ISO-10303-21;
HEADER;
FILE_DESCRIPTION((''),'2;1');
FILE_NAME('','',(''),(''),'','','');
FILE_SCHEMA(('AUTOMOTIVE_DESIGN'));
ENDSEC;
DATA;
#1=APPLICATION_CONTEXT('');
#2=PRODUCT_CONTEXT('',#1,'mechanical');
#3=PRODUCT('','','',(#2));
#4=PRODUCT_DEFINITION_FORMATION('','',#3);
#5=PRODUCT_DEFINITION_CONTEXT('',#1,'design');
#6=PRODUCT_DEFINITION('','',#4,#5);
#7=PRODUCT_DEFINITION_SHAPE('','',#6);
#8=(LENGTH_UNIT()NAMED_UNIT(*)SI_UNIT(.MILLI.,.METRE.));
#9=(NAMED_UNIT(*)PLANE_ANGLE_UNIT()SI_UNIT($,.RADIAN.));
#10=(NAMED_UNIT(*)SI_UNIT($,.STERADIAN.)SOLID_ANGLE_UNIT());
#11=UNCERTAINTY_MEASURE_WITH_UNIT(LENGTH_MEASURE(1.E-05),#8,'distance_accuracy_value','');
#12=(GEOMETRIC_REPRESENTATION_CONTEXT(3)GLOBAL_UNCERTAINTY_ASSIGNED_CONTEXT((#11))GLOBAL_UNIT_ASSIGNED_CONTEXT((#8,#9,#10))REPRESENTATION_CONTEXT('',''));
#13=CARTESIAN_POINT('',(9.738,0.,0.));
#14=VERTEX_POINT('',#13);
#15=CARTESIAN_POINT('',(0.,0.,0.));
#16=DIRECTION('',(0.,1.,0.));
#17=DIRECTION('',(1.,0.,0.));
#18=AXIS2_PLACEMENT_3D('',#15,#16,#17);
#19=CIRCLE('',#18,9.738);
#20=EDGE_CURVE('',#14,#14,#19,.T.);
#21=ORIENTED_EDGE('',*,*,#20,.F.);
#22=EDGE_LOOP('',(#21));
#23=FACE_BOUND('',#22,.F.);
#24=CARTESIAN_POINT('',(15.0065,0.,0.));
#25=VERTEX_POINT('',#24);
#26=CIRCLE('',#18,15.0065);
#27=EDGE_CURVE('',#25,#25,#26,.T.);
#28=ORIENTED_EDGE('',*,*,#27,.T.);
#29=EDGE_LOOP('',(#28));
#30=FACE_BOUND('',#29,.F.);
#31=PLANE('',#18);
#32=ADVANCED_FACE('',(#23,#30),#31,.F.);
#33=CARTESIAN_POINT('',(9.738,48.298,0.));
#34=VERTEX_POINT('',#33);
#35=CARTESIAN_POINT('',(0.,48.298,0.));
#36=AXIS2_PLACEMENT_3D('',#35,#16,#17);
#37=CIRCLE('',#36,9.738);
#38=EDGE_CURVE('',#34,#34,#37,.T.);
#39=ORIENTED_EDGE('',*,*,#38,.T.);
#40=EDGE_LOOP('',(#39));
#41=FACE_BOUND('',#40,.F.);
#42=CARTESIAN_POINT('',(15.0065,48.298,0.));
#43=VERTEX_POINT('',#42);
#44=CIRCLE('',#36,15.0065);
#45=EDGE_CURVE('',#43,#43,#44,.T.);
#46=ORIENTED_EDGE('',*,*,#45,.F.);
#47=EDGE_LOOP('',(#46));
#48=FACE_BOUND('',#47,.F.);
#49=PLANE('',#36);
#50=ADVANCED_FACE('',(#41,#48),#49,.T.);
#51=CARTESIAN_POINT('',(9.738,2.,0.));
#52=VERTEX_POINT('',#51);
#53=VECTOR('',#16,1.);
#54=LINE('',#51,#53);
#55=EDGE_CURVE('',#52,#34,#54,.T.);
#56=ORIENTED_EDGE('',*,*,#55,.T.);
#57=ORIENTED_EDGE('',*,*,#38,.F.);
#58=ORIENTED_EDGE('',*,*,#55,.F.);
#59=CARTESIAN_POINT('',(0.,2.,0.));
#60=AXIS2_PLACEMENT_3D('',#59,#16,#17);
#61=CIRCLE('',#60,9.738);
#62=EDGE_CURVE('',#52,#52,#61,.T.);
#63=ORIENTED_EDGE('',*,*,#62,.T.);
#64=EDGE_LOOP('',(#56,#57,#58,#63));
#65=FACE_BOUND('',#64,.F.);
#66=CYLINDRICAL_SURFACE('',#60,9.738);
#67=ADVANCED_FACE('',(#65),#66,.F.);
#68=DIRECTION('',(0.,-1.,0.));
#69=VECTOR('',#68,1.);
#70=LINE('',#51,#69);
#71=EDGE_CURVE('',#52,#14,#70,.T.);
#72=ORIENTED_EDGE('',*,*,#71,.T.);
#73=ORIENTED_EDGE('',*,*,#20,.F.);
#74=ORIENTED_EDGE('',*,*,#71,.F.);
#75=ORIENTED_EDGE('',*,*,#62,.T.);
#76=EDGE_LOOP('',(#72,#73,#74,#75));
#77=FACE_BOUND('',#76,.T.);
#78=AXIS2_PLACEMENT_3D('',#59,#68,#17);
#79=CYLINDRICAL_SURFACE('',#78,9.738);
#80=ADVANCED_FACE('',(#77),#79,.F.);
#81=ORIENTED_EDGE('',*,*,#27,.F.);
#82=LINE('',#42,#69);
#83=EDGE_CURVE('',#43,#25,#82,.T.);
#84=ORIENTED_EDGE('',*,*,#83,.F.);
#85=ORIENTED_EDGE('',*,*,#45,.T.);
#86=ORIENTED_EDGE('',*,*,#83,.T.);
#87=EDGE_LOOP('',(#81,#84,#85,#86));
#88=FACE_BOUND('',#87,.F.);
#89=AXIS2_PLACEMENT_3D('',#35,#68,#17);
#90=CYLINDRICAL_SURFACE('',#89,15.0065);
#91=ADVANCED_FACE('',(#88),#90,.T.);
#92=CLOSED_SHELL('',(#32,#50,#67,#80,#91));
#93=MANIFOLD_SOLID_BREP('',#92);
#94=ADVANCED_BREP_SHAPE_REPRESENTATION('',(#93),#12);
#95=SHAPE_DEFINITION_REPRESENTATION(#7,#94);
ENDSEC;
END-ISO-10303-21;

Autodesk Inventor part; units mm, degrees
ref_plane "YZ Plane" through (0, 0, 0) normal (1, 0, 0) x (0, 1, 0)
ref_plane "XZ Plane" through (0, 0, 0) normal (0, 1, 0) x (-1, 0, 0)
ref_plane "XY Plane" through (0, 0, 0) normal (0, 0, 1) x (1, 0, 0)
sketch "Esboço1" plane through (0, 0, 0) normal (0, 0, 1) x (1, 0, 0)
  line L0 (0, 0) -> (0, 75.9)
  line L1 (15.0065, 48.298) -> (15.0065, 0)
  line L2 (15.0065, 0) -> (9.738, 0)
  line L3 (9.738, 2) -> (9.738, 48.298)
  line L4 (9.738, 2) -> (9.738, 0)
  line L5 (9.738, 48.298) -> (15.0065, 48.298)
  dimension "d0" = 75.9
  dimension "d10" = 48.298
revolve "Revolução1" add sketch "Esboço1" angle 360 about axis through (0, 0, 0) along (0, 1, 0)
properties part number "pneu" material "Resina fenólica"
